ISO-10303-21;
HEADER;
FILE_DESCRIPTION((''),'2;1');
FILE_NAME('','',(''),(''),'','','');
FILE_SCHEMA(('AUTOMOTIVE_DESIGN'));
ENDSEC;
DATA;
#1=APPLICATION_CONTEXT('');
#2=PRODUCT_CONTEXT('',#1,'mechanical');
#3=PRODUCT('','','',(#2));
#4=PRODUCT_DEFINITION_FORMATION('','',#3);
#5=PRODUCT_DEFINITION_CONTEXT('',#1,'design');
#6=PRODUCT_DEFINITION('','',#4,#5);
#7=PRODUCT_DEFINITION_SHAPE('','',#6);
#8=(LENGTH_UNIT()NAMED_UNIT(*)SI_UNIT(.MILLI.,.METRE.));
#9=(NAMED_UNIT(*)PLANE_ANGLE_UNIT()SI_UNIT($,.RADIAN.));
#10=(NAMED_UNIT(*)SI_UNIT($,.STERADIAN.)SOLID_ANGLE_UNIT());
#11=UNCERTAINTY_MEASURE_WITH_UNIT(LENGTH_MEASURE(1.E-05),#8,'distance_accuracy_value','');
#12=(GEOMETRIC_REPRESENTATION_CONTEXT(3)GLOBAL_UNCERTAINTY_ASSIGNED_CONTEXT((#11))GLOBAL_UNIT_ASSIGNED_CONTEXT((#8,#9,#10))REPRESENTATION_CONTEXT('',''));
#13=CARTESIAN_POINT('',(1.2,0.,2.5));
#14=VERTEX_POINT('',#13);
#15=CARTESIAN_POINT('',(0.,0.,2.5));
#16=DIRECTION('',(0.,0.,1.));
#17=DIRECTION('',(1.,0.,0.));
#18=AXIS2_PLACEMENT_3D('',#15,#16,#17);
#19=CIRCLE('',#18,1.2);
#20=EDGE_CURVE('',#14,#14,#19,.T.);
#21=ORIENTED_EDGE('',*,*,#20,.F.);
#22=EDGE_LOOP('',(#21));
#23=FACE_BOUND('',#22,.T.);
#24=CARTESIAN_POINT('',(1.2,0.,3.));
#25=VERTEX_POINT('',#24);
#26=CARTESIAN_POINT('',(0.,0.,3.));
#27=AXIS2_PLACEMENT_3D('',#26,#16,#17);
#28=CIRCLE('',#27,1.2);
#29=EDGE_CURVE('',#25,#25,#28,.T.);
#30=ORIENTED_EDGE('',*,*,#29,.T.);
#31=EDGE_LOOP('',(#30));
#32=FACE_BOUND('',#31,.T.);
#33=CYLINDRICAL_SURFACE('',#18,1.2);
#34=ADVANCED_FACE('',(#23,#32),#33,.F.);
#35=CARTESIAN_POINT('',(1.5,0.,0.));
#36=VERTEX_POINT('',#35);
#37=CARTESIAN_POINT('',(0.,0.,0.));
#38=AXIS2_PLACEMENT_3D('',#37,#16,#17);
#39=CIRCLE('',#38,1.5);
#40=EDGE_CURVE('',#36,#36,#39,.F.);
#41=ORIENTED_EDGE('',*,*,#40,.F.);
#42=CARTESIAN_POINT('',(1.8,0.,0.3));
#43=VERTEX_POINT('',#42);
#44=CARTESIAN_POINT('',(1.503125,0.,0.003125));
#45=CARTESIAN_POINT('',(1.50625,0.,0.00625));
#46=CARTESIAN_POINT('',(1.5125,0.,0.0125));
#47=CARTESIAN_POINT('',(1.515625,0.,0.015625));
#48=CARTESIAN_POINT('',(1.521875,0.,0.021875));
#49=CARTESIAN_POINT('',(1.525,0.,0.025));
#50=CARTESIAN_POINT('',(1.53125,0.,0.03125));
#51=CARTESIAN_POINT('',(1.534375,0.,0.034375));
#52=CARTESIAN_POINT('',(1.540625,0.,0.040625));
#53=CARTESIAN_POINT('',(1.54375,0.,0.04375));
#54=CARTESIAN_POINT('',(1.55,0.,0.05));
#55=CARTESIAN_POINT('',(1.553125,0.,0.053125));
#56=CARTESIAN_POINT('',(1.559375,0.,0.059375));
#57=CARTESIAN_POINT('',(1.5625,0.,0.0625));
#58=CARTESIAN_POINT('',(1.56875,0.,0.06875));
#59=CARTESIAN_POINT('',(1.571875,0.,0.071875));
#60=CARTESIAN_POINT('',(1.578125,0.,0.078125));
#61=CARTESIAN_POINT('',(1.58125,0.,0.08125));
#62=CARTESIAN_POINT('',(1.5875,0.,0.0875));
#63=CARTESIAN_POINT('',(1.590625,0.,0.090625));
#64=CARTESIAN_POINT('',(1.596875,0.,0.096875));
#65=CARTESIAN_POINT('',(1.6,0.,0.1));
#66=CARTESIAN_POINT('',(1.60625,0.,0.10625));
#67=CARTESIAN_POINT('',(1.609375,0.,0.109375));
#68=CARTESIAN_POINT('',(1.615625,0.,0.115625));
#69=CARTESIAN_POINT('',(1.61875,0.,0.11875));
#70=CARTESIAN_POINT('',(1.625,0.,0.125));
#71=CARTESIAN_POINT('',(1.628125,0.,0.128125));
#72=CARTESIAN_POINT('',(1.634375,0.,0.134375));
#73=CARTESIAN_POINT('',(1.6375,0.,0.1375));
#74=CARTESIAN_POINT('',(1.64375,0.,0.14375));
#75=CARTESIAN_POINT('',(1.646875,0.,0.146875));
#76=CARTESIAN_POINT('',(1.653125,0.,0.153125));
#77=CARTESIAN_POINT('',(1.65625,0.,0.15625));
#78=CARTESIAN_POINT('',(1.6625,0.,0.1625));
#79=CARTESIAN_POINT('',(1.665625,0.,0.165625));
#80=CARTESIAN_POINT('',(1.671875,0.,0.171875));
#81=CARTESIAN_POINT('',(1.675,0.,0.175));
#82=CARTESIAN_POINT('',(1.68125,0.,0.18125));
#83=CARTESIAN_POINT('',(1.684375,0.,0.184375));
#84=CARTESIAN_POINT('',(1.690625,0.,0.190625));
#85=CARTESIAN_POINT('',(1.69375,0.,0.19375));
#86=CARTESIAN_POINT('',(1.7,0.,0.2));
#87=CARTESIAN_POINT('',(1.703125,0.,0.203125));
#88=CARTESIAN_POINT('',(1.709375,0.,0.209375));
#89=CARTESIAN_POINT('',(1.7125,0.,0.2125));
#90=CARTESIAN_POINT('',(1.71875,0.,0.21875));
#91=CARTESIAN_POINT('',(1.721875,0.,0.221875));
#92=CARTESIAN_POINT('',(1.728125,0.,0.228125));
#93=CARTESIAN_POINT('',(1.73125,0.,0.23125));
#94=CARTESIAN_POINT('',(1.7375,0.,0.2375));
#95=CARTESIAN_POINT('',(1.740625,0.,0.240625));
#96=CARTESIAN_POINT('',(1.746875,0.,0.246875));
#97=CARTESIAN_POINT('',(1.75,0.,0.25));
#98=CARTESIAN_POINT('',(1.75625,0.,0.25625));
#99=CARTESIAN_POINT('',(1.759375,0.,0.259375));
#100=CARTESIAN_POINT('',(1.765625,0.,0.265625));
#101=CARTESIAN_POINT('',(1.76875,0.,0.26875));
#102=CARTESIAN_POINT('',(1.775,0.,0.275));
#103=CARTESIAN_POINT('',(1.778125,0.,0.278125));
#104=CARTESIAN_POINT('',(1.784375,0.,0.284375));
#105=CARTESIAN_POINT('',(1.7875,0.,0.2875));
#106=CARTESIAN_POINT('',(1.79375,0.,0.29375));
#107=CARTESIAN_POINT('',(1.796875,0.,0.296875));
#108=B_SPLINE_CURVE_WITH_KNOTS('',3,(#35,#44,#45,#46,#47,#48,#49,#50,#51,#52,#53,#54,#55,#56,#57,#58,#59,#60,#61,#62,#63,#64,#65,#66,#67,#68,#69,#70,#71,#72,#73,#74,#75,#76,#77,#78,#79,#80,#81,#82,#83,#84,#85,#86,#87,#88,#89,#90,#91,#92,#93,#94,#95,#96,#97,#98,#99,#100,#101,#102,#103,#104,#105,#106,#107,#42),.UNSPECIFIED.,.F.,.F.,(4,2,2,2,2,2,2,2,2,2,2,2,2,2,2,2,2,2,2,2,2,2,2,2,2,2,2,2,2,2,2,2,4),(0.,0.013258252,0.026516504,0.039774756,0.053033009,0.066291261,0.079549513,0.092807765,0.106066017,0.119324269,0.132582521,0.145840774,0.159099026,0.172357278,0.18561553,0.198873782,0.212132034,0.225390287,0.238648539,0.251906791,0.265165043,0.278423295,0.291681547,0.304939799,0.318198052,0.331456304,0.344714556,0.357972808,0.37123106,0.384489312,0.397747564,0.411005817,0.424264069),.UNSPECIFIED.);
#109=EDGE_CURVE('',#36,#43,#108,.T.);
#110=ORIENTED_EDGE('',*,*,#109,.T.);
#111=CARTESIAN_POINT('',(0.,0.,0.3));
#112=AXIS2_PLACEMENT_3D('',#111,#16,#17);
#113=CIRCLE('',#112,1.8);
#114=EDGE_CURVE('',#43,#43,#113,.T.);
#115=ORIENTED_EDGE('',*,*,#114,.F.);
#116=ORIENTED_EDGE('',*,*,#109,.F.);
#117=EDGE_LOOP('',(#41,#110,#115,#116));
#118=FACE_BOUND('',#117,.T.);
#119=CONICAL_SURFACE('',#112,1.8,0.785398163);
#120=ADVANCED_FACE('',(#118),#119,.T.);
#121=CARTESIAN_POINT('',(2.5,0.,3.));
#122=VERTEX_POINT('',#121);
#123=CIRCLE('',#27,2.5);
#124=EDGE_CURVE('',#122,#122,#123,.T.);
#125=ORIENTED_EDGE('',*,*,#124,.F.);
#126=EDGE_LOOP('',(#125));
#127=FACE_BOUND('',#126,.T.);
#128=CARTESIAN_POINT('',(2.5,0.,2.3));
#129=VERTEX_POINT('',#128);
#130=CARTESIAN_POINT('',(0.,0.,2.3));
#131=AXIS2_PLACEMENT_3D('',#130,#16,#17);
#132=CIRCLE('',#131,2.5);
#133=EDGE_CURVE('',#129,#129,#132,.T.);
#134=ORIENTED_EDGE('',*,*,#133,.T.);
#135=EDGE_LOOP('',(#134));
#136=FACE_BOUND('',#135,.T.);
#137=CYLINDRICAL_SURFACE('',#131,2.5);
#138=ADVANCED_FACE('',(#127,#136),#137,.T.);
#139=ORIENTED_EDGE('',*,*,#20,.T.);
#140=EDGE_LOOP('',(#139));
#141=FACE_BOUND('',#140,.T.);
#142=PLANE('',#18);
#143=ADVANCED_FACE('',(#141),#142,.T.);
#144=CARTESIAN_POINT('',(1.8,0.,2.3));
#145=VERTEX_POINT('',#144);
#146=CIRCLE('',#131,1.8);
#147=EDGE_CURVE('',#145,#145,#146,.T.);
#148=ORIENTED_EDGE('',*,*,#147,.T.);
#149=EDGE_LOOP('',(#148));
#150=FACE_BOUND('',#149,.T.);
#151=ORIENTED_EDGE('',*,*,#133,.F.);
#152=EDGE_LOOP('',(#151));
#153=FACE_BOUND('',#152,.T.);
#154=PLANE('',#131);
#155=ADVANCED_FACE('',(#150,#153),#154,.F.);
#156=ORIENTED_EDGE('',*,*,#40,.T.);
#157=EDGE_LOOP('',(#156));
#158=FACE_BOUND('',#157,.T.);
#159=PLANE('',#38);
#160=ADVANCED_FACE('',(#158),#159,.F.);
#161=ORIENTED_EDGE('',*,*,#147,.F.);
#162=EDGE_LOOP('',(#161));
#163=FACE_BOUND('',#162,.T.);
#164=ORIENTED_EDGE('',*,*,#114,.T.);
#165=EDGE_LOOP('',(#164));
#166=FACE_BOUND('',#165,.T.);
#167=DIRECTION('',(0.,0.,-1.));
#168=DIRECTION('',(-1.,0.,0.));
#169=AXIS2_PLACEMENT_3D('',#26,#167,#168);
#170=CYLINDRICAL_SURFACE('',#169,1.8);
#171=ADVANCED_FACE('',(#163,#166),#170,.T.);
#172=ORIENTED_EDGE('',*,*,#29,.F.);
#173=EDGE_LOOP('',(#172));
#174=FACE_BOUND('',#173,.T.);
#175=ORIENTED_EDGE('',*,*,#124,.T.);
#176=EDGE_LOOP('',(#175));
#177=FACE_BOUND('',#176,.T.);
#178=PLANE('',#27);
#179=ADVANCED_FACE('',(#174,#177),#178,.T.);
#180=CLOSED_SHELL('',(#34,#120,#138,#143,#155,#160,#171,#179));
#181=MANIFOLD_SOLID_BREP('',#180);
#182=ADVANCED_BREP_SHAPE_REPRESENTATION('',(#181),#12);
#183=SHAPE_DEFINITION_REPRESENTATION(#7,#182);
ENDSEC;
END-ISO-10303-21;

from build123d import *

# Parameters (mm, degrees)
SKETCH_1_R          = 1.8
EXTRUDE_1_DEPTH     = 3
EXTRUDE_START       = -0.7
SKETCH_2_R          = 2.5
SKETCH_2_R_2        = 1.8
EXTRUDE_2_DEPTH     = 0.7
SKETCH_3_R          = 1.2
CUT_EXTRUDE_1_DEPTH = 0.5
CHAMFER_1_SIZE      = 0.3


with BuildPart() as part:
    # 草图1 → 凸台-拉伸1 (new body)
    with BuildSketch(Plane.XY):
        Circle(SKETCH_1_R)
    extrude(amount=EXTRUDE_1_DEPTH)

    # 草图2 → 凸台-拉伸2 (add)
    with BuildSketch(Plane.XY.offset(3).offset(EXTRUDE_START)):
        Circle(SKETCH_2_R)
        Circle(SKETCH_2_R_2, mode=Mode.SUBTRACT)
    extrude(amount=EXTRUDE_2_DEPTH)

    # 草图3 → 切除-拉伸1 (cut)
    with BuildSketch(Plane.XY.offset(3)):
        Circle(SKETCH_3_R)
    extrude(amount=-CUT_EXTRUDE_1_DEPTH, mode=Mode.SUBTRACT)

    # 倒角1
    chamfer_1_edges = [part.edges().sort_by_distance(p)[0] for p in [
        (-1.8, 0, 0),
    ]]
    chamfer(chamfer_1_edges, length=CHAMFER_1_SIZE)


solid = part.part
